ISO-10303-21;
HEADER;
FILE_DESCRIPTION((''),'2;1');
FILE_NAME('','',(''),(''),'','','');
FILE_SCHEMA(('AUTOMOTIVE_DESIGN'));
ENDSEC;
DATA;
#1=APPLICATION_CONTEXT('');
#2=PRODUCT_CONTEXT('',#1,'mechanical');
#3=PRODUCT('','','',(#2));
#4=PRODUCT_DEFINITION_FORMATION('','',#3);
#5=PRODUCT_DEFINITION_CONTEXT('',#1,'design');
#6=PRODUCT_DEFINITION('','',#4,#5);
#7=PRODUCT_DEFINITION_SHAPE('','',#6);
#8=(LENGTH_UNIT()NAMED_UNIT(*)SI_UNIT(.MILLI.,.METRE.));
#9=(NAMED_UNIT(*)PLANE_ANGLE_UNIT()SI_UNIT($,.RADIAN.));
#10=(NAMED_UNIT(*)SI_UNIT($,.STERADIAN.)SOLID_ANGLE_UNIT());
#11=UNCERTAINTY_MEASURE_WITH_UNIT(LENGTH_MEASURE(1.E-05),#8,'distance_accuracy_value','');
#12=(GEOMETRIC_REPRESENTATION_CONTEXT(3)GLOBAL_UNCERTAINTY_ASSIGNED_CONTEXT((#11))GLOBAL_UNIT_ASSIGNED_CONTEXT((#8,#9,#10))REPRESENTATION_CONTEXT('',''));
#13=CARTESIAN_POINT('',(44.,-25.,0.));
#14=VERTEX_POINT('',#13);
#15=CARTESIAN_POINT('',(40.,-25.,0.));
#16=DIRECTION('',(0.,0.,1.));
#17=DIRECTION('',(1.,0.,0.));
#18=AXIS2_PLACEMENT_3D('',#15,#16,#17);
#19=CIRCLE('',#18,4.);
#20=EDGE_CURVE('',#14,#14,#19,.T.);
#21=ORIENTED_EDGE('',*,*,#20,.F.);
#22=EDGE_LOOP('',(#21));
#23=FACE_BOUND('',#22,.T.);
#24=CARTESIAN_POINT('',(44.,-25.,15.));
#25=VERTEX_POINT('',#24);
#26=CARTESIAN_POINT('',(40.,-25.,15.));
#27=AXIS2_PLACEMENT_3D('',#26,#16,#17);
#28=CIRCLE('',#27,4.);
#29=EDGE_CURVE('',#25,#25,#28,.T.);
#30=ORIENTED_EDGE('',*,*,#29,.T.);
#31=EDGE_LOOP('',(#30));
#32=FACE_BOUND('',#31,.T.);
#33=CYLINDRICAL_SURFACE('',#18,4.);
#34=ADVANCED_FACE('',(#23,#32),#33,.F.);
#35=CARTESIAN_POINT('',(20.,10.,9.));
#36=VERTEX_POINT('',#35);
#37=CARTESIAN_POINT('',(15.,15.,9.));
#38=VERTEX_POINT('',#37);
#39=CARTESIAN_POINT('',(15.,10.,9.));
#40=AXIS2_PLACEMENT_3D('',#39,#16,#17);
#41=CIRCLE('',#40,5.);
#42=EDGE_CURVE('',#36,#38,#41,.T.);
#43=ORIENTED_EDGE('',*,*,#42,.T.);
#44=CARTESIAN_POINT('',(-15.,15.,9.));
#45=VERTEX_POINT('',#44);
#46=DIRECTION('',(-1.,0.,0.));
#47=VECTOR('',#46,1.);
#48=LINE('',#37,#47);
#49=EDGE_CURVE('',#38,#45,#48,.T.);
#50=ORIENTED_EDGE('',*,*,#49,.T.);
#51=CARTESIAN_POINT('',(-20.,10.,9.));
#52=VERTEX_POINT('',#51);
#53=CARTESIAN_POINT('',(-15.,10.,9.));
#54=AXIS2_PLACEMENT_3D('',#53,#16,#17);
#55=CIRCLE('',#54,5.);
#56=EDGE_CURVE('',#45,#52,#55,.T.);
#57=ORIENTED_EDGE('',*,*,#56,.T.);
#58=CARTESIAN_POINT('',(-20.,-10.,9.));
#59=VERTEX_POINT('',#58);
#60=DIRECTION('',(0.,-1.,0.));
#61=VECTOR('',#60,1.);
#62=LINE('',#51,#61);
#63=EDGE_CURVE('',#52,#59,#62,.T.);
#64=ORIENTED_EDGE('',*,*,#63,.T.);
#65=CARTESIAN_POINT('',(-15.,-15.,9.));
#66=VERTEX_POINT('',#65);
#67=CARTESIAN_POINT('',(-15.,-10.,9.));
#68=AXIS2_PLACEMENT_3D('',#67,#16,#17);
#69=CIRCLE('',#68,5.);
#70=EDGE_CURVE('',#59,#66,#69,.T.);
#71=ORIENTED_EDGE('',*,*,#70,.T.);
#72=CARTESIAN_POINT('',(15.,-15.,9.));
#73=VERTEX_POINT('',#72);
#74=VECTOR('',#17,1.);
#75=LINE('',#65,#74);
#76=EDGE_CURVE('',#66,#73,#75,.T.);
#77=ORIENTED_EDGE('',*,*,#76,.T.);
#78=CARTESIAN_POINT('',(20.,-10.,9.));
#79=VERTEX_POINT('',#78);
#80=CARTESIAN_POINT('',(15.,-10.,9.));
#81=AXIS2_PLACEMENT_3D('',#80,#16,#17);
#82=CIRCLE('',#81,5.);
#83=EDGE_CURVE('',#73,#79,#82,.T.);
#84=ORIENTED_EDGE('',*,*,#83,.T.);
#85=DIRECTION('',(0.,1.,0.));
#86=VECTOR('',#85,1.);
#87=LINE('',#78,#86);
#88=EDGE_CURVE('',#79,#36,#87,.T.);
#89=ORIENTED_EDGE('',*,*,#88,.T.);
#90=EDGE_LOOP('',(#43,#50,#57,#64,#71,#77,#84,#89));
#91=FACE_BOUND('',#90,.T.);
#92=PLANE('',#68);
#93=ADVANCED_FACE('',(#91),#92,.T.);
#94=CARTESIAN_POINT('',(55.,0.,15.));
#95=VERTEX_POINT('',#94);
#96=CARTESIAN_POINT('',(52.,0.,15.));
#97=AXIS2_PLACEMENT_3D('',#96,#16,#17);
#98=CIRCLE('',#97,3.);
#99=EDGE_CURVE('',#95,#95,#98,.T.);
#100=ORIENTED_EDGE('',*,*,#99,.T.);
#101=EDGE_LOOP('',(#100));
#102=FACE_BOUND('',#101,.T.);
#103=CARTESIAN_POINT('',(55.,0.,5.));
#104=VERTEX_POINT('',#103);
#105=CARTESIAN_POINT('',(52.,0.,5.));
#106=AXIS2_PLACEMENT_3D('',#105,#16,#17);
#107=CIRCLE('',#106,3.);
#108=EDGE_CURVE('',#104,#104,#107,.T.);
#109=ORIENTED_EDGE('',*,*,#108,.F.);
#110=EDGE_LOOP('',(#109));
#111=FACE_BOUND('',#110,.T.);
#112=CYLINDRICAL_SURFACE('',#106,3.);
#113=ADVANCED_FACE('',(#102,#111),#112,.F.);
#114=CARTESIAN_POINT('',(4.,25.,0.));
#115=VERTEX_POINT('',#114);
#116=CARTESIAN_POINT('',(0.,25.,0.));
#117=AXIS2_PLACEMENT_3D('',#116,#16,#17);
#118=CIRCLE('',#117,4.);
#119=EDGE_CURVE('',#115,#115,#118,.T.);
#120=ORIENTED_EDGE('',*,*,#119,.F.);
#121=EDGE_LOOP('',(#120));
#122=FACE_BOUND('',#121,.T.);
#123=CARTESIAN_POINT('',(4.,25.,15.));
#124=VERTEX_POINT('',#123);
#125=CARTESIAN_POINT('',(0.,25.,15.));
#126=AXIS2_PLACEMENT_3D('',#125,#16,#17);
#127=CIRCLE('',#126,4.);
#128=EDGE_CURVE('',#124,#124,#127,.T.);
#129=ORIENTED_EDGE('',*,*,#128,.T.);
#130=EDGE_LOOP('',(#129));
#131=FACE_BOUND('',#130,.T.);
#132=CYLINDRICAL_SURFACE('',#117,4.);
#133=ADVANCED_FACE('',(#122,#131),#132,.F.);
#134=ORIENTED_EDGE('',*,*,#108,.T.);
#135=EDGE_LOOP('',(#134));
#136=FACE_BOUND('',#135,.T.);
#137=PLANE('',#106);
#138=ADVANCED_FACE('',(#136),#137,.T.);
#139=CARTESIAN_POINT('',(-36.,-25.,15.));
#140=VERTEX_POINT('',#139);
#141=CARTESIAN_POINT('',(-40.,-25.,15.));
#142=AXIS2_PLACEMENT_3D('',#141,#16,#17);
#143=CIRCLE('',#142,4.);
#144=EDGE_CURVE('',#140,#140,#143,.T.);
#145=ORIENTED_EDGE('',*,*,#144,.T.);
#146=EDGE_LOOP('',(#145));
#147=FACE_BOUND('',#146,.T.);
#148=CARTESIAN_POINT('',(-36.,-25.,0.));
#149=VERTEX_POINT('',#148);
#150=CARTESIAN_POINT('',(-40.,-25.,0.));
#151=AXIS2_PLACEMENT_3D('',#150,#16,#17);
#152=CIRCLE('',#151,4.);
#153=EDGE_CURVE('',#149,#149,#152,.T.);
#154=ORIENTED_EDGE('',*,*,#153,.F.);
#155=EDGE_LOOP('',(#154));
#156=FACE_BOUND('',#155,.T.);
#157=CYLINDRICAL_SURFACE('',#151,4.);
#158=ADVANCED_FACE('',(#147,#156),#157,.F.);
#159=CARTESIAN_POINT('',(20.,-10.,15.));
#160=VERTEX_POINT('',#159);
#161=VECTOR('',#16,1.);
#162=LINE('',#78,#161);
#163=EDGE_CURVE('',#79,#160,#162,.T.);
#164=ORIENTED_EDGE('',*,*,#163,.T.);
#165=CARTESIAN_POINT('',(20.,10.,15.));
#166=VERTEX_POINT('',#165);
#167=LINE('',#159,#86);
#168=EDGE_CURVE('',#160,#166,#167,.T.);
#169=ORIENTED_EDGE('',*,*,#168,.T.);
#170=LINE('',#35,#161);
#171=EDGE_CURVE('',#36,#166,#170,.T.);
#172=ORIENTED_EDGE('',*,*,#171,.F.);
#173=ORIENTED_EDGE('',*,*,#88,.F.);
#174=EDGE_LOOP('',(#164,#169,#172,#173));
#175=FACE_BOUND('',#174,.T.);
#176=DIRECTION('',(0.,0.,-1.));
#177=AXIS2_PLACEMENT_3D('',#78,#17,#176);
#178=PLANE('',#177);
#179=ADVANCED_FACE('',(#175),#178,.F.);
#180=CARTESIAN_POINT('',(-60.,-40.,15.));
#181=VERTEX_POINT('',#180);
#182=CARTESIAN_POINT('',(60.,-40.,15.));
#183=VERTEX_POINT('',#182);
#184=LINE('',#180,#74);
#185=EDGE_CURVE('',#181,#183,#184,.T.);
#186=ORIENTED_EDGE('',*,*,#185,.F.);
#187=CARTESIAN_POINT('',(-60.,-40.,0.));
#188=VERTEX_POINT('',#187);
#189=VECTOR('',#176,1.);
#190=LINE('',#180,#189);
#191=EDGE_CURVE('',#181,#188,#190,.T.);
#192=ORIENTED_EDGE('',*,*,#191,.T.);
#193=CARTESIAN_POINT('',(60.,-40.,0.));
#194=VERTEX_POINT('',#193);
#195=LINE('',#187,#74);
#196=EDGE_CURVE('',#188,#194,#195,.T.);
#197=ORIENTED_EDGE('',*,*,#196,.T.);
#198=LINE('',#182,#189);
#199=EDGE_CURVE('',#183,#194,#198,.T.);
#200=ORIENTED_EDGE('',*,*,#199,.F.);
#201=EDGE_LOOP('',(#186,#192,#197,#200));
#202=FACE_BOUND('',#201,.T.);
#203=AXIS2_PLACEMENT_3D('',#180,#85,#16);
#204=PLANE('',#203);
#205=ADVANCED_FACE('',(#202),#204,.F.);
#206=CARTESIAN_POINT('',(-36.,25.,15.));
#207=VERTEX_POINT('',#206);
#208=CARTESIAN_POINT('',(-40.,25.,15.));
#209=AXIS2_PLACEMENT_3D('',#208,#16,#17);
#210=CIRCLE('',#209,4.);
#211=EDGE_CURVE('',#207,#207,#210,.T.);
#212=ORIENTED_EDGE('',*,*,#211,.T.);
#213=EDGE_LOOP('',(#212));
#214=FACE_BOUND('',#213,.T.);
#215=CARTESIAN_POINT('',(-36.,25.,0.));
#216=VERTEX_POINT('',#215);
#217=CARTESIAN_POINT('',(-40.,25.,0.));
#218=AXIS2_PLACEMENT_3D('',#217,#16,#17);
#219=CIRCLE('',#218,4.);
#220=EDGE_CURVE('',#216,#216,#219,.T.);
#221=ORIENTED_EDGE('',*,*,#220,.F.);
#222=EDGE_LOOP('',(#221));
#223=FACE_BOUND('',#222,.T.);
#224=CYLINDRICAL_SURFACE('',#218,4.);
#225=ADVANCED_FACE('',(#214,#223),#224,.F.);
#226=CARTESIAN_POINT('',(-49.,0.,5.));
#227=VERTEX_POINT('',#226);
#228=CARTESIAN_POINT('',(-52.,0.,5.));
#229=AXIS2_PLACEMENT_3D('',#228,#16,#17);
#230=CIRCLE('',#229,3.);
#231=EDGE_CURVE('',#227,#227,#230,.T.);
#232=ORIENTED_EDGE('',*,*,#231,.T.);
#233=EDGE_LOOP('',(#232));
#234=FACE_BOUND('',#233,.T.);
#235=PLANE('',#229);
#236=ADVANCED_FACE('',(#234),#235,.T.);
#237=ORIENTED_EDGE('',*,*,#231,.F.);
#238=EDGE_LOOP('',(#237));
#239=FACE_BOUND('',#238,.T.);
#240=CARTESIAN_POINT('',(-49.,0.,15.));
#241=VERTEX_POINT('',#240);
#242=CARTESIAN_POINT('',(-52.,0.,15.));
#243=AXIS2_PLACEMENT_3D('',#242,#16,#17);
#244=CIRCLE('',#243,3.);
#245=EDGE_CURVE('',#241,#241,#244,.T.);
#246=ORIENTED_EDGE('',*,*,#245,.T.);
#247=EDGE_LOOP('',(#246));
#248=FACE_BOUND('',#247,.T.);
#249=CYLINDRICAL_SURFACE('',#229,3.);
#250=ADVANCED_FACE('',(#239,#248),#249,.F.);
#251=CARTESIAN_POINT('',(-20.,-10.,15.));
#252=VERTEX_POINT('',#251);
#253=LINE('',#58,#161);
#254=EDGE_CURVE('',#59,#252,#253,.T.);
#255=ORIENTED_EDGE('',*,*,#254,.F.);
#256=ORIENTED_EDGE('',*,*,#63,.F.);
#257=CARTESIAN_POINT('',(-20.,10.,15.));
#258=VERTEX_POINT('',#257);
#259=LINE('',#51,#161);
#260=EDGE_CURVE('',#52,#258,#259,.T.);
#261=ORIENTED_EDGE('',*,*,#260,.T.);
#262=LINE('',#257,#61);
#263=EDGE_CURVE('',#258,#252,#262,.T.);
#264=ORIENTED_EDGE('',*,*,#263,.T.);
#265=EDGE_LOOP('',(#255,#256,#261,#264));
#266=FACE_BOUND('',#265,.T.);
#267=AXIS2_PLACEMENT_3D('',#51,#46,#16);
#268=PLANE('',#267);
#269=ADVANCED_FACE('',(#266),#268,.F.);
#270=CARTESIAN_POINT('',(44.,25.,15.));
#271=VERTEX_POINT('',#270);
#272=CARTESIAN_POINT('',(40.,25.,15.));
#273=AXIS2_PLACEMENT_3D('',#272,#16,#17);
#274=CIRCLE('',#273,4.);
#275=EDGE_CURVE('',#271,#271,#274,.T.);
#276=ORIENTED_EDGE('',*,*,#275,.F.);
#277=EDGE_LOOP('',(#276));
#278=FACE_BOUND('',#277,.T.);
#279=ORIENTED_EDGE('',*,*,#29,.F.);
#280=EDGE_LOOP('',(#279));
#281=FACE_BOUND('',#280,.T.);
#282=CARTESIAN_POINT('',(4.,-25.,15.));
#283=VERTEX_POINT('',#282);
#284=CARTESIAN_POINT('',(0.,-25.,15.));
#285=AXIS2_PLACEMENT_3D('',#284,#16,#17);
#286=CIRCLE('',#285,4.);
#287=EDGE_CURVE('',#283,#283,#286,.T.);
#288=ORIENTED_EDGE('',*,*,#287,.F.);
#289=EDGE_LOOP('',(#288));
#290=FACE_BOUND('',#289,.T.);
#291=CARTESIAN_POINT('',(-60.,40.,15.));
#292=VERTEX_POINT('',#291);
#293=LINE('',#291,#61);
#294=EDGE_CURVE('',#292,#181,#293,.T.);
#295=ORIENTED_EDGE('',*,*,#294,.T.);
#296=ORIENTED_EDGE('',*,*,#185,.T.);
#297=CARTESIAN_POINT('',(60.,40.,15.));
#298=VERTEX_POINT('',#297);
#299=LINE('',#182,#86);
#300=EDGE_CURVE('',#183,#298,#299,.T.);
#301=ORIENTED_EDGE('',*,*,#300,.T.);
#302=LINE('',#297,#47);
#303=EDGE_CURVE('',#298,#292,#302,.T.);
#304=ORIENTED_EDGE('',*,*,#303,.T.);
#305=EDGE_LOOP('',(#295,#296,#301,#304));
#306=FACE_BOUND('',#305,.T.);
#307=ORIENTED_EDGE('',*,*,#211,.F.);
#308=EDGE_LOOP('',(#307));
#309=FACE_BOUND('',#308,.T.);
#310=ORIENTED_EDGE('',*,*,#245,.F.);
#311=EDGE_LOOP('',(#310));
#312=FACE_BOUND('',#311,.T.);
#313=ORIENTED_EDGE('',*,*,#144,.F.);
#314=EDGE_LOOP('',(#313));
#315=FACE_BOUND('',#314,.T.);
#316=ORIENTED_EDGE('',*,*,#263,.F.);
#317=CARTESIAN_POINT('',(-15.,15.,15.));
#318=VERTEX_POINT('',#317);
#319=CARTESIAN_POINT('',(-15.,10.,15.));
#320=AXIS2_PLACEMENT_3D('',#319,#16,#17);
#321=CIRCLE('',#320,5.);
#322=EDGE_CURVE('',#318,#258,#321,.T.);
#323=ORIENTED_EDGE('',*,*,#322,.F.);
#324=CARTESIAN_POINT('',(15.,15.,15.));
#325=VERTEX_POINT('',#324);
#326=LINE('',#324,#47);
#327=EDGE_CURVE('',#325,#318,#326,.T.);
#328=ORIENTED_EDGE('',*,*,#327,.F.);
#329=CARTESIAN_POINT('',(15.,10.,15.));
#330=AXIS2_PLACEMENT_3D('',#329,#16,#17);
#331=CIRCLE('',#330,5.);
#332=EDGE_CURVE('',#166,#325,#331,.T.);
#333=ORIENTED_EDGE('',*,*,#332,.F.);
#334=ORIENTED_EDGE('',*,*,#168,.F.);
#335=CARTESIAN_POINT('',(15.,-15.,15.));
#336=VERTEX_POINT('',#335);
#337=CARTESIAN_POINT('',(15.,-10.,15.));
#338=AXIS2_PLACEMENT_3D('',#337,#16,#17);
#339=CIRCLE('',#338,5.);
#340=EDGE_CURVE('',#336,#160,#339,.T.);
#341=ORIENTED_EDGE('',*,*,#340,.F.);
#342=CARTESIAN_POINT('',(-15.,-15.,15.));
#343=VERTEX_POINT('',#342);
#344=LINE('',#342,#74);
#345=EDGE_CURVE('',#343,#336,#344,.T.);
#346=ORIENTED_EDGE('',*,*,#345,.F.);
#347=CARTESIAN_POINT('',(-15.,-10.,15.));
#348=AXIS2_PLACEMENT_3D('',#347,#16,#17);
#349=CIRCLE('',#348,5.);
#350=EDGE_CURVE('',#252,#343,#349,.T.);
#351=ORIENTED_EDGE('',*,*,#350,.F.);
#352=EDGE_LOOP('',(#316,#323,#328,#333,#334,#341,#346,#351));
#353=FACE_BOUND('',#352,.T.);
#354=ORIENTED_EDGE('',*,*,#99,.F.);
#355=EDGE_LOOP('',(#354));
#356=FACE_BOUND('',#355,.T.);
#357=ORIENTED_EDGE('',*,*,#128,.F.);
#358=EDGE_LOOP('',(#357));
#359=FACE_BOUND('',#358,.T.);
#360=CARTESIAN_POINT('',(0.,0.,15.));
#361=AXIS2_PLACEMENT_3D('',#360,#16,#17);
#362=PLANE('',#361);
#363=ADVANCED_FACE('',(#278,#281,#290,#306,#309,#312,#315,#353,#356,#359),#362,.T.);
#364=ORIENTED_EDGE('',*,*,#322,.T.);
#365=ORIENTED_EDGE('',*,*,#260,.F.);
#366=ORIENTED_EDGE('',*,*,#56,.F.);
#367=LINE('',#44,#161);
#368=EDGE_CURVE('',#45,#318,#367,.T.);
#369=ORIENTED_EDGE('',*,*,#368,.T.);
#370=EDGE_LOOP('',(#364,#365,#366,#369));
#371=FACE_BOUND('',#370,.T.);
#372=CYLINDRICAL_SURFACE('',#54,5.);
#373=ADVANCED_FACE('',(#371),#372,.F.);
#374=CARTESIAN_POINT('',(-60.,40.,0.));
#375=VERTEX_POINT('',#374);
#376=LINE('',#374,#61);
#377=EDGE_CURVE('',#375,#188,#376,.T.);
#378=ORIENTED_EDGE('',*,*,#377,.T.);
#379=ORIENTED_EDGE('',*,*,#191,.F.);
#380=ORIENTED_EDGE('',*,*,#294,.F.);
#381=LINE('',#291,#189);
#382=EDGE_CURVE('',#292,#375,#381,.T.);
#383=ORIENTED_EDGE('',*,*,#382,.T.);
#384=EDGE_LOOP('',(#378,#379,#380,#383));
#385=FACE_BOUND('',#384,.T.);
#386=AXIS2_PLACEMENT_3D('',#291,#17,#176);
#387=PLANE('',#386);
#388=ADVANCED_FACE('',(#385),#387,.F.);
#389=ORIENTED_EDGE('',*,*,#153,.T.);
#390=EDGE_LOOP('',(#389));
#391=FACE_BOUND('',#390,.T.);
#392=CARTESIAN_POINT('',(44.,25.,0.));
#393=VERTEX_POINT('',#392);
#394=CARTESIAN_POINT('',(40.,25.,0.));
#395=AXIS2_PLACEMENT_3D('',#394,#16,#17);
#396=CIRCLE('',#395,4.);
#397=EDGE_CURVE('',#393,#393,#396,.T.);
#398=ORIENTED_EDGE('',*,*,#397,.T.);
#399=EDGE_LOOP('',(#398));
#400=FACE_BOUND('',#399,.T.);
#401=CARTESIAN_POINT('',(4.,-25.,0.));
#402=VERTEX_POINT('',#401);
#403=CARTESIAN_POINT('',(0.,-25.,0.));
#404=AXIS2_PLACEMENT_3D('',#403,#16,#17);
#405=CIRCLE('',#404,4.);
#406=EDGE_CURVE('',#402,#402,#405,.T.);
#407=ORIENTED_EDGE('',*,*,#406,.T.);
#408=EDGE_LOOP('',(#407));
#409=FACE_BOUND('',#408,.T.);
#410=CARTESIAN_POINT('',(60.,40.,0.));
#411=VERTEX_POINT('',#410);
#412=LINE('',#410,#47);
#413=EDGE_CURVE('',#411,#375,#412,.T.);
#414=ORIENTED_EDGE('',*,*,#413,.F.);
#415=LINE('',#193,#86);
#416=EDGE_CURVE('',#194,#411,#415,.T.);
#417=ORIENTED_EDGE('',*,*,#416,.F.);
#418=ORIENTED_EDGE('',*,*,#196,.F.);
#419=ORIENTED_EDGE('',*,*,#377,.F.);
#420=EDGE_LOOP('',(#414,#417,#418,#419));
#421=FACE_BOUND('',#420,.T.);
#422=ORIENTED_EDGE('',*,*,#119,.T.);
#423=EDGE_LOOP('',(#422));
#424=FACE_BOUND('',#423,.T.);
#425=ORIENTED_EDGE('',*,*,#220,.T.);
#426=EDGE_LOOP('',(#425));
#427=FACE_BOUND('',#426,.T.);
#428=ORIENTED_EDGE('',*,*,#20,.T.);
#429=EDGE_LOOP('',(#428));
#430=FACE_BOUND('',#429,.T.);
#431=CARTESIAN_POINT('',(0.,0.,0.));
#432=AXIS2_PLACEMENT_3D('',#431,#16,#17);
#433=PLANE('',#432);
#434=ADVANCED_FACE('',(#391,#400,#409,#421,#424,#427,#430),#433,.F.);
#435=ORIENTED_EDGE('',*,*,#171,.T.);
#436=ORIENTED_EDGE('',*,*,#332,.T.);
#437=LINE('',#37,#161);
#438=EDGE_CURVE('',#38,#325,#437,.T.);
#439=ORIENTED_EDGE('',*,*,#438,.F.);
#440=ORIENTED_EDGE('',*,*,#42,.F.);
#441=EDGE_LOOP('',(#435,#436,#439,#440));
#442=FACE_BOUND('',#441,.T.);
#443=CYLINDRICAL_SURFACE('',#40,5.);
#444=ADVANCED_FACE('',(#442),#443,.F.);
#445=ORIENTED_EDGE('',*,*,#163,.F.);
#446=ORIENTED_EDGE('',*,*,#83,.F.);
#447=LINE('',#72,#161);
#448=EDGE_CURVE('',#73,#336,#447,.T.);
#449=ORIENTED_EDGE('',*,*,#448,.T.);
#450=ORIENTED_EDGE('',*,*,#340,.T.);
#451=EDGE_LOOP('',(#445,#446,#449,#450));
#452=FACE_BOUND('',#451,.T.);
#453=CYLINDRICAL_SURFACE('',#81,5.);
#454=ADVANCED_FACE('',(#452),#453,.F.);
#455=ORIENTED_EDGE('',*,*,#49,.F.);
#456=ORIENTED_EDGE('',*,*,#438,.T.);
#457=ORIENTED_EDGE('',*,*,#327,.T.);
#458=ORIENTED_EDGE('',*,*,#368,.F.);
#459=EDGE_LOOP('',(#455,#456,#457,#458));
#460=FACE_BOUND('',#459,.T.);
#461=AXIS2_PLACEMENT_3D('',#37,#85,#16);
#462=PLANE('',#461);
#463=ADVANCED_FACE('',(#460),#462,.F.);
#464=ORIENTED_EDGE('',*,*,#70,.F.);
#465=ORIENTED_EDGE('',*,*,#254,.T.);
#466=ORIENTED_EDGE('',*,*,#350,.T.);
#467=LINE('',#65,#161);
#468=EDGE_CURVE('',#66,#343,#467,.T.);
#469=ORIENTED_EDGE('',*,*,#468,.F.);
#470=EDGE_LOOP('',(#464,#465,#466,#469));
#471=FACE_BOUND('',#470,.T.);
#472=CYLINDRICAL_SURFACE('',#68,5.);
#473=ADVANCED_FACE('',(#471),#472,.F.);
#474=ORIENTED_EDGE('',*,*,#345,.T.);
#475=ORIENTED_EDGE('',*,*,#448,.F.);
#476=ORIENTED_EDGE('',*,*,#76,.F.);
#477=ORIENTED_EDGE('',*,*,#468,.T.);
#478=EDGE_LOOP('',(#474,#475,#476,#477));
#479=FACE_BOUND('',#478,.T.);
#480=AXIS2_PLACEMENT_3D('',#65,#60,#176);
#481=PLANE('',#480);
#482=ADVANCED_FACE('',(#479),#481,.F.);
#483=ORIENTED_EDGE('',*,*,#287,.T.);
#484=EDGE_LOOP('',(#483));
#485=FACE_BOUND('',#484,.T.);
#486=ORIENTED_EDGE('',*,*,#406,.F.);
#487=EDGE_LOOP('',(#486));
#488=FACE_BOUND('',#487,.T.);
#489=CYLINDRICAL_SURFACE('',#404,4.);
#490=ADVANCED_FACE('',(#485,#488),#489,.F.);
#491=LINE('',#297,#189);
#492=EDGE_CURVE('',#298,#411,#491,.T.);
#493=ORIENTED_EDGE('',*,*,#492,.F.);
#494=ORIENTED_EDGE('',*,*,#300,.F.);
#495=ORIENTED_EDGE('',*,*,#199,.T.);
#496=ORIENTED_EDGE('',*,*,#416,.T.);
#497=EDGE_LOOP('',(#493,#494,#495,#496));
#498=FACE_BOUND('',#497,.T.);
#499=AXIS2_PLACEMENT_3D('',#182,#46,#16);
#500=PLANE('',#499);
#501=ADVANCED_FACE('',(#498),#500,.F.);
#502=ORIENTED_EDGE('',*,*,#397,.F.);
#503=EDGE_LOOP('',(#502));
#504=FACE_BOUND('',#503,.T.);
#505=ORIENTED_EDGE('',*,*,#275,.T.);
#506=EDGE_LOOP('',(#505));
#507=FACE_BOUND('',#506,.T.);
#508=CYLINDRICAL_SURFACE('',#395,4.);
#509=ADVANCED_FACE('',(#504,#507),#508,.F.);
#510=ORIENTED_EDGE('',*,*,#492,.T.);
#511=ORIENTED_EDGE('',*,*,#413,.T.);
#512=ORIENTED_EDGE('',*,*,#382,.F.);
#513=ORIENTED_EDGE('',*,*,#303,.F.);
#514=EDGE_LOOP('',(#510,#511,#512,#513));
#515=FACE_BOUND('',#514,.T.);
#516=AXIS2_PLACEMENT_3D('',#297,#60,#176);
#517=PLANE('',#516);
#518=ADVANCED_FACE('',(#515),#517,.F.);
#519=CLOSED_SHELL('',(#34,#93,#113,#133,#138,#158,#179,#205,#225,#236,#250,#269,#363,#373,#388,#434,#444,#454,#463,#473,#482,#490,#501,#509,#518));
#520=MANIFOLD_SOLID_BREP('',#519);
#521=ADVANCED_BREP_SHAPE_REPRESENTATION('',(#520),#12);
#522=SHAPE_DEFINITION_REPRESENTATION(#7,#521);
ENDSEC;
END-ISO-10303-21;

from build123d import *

# Parameters (mm, degrees)
SKETCH_1_W          = 120
SKETCH_1_H          = 80
EXTRUDE_1_DEPTH     = 15
CUT_EXTRUDE_1_DEPTH = 6
SKETCH_3_R          = 4
CUT_EXTRUDE_2_DEPTH = 74.654599313
SKETCH_4_R          = 3
CUT_EXTRUDE_3_DEPTH = 10


with BuildPart() as part:
    # 草图1 → 凸台-拉伸1 (new body)
    with BuildSketch(Plane.XY):
        Rectangle(SKETCH_1_W, SKETCH_1_H)
    extrude(amount=EXTRUDE_1_DEPTH)

    # 草图2 → 切除-拉伸1 (cut)
    with BuildSketch(Plane.XY.offset(15)):
        with BuildLine():
            Line((-15, -15), (15, -15))
            ThreePointArc((15, -15), (18.535533906, -13.535533906), (20, -10))
            Line((20, -10), (20, 10))
            ThreePointArc((20, 10), (18.535533906, 13.535533906), (15, 15))
            Line((15, 15), (-15, 15))
            ThreePointArc((-15, 15), (-18.535533906, 13.535533906), (-20, 10))
            Line((-20, 10), (-20, -10))
            ThreePointArc((-20, -10), (-18.535533906, -13.535533906), (-15, -15))
        make_face()
    extrude(amount=-CUT_EXTRUDE_1_DEPTH, mode=Mode.SUBTRACT)

    # 草图3 → 切除-拉伸2 (cut, through all)
    with BuildSketch(Plane.XY.offset(15)):
        with Locations((0, 25)):
            Circle(SKETCH_3_R)
        with Locations((0, -25)):
            Circle(SKETCH_3_R)
        with Locations((40, 25)):
            Circle(SKETCH_3_R)
        with Locations((40, -25)):
            Circle(SKETCH_3_R)
        with Locations((-40, 25)):
            Circle(SKETCH_3_R)
        with Locations((-40, -25)):
            Circle(SKETCH_3_R)
    extrude(amount=-CUT_EXTRUDE_2_DEPTH, mode=Mode.SUBTRACT)

    # 草图4 → 切除-拉伸3 (cut)
    with BuildSketch(Plane.XY.offset(15)):
        with Locations((52, 0)):
            Circle(SKETCH_4_R)
        with Locations((-52, 0)):
            Circle(SKETCH_4_R)
    extrude(amount=-CUT_EXTRUDE_3_DEPTH, mode=Mode.SUBTRACT)


solid = part.part
